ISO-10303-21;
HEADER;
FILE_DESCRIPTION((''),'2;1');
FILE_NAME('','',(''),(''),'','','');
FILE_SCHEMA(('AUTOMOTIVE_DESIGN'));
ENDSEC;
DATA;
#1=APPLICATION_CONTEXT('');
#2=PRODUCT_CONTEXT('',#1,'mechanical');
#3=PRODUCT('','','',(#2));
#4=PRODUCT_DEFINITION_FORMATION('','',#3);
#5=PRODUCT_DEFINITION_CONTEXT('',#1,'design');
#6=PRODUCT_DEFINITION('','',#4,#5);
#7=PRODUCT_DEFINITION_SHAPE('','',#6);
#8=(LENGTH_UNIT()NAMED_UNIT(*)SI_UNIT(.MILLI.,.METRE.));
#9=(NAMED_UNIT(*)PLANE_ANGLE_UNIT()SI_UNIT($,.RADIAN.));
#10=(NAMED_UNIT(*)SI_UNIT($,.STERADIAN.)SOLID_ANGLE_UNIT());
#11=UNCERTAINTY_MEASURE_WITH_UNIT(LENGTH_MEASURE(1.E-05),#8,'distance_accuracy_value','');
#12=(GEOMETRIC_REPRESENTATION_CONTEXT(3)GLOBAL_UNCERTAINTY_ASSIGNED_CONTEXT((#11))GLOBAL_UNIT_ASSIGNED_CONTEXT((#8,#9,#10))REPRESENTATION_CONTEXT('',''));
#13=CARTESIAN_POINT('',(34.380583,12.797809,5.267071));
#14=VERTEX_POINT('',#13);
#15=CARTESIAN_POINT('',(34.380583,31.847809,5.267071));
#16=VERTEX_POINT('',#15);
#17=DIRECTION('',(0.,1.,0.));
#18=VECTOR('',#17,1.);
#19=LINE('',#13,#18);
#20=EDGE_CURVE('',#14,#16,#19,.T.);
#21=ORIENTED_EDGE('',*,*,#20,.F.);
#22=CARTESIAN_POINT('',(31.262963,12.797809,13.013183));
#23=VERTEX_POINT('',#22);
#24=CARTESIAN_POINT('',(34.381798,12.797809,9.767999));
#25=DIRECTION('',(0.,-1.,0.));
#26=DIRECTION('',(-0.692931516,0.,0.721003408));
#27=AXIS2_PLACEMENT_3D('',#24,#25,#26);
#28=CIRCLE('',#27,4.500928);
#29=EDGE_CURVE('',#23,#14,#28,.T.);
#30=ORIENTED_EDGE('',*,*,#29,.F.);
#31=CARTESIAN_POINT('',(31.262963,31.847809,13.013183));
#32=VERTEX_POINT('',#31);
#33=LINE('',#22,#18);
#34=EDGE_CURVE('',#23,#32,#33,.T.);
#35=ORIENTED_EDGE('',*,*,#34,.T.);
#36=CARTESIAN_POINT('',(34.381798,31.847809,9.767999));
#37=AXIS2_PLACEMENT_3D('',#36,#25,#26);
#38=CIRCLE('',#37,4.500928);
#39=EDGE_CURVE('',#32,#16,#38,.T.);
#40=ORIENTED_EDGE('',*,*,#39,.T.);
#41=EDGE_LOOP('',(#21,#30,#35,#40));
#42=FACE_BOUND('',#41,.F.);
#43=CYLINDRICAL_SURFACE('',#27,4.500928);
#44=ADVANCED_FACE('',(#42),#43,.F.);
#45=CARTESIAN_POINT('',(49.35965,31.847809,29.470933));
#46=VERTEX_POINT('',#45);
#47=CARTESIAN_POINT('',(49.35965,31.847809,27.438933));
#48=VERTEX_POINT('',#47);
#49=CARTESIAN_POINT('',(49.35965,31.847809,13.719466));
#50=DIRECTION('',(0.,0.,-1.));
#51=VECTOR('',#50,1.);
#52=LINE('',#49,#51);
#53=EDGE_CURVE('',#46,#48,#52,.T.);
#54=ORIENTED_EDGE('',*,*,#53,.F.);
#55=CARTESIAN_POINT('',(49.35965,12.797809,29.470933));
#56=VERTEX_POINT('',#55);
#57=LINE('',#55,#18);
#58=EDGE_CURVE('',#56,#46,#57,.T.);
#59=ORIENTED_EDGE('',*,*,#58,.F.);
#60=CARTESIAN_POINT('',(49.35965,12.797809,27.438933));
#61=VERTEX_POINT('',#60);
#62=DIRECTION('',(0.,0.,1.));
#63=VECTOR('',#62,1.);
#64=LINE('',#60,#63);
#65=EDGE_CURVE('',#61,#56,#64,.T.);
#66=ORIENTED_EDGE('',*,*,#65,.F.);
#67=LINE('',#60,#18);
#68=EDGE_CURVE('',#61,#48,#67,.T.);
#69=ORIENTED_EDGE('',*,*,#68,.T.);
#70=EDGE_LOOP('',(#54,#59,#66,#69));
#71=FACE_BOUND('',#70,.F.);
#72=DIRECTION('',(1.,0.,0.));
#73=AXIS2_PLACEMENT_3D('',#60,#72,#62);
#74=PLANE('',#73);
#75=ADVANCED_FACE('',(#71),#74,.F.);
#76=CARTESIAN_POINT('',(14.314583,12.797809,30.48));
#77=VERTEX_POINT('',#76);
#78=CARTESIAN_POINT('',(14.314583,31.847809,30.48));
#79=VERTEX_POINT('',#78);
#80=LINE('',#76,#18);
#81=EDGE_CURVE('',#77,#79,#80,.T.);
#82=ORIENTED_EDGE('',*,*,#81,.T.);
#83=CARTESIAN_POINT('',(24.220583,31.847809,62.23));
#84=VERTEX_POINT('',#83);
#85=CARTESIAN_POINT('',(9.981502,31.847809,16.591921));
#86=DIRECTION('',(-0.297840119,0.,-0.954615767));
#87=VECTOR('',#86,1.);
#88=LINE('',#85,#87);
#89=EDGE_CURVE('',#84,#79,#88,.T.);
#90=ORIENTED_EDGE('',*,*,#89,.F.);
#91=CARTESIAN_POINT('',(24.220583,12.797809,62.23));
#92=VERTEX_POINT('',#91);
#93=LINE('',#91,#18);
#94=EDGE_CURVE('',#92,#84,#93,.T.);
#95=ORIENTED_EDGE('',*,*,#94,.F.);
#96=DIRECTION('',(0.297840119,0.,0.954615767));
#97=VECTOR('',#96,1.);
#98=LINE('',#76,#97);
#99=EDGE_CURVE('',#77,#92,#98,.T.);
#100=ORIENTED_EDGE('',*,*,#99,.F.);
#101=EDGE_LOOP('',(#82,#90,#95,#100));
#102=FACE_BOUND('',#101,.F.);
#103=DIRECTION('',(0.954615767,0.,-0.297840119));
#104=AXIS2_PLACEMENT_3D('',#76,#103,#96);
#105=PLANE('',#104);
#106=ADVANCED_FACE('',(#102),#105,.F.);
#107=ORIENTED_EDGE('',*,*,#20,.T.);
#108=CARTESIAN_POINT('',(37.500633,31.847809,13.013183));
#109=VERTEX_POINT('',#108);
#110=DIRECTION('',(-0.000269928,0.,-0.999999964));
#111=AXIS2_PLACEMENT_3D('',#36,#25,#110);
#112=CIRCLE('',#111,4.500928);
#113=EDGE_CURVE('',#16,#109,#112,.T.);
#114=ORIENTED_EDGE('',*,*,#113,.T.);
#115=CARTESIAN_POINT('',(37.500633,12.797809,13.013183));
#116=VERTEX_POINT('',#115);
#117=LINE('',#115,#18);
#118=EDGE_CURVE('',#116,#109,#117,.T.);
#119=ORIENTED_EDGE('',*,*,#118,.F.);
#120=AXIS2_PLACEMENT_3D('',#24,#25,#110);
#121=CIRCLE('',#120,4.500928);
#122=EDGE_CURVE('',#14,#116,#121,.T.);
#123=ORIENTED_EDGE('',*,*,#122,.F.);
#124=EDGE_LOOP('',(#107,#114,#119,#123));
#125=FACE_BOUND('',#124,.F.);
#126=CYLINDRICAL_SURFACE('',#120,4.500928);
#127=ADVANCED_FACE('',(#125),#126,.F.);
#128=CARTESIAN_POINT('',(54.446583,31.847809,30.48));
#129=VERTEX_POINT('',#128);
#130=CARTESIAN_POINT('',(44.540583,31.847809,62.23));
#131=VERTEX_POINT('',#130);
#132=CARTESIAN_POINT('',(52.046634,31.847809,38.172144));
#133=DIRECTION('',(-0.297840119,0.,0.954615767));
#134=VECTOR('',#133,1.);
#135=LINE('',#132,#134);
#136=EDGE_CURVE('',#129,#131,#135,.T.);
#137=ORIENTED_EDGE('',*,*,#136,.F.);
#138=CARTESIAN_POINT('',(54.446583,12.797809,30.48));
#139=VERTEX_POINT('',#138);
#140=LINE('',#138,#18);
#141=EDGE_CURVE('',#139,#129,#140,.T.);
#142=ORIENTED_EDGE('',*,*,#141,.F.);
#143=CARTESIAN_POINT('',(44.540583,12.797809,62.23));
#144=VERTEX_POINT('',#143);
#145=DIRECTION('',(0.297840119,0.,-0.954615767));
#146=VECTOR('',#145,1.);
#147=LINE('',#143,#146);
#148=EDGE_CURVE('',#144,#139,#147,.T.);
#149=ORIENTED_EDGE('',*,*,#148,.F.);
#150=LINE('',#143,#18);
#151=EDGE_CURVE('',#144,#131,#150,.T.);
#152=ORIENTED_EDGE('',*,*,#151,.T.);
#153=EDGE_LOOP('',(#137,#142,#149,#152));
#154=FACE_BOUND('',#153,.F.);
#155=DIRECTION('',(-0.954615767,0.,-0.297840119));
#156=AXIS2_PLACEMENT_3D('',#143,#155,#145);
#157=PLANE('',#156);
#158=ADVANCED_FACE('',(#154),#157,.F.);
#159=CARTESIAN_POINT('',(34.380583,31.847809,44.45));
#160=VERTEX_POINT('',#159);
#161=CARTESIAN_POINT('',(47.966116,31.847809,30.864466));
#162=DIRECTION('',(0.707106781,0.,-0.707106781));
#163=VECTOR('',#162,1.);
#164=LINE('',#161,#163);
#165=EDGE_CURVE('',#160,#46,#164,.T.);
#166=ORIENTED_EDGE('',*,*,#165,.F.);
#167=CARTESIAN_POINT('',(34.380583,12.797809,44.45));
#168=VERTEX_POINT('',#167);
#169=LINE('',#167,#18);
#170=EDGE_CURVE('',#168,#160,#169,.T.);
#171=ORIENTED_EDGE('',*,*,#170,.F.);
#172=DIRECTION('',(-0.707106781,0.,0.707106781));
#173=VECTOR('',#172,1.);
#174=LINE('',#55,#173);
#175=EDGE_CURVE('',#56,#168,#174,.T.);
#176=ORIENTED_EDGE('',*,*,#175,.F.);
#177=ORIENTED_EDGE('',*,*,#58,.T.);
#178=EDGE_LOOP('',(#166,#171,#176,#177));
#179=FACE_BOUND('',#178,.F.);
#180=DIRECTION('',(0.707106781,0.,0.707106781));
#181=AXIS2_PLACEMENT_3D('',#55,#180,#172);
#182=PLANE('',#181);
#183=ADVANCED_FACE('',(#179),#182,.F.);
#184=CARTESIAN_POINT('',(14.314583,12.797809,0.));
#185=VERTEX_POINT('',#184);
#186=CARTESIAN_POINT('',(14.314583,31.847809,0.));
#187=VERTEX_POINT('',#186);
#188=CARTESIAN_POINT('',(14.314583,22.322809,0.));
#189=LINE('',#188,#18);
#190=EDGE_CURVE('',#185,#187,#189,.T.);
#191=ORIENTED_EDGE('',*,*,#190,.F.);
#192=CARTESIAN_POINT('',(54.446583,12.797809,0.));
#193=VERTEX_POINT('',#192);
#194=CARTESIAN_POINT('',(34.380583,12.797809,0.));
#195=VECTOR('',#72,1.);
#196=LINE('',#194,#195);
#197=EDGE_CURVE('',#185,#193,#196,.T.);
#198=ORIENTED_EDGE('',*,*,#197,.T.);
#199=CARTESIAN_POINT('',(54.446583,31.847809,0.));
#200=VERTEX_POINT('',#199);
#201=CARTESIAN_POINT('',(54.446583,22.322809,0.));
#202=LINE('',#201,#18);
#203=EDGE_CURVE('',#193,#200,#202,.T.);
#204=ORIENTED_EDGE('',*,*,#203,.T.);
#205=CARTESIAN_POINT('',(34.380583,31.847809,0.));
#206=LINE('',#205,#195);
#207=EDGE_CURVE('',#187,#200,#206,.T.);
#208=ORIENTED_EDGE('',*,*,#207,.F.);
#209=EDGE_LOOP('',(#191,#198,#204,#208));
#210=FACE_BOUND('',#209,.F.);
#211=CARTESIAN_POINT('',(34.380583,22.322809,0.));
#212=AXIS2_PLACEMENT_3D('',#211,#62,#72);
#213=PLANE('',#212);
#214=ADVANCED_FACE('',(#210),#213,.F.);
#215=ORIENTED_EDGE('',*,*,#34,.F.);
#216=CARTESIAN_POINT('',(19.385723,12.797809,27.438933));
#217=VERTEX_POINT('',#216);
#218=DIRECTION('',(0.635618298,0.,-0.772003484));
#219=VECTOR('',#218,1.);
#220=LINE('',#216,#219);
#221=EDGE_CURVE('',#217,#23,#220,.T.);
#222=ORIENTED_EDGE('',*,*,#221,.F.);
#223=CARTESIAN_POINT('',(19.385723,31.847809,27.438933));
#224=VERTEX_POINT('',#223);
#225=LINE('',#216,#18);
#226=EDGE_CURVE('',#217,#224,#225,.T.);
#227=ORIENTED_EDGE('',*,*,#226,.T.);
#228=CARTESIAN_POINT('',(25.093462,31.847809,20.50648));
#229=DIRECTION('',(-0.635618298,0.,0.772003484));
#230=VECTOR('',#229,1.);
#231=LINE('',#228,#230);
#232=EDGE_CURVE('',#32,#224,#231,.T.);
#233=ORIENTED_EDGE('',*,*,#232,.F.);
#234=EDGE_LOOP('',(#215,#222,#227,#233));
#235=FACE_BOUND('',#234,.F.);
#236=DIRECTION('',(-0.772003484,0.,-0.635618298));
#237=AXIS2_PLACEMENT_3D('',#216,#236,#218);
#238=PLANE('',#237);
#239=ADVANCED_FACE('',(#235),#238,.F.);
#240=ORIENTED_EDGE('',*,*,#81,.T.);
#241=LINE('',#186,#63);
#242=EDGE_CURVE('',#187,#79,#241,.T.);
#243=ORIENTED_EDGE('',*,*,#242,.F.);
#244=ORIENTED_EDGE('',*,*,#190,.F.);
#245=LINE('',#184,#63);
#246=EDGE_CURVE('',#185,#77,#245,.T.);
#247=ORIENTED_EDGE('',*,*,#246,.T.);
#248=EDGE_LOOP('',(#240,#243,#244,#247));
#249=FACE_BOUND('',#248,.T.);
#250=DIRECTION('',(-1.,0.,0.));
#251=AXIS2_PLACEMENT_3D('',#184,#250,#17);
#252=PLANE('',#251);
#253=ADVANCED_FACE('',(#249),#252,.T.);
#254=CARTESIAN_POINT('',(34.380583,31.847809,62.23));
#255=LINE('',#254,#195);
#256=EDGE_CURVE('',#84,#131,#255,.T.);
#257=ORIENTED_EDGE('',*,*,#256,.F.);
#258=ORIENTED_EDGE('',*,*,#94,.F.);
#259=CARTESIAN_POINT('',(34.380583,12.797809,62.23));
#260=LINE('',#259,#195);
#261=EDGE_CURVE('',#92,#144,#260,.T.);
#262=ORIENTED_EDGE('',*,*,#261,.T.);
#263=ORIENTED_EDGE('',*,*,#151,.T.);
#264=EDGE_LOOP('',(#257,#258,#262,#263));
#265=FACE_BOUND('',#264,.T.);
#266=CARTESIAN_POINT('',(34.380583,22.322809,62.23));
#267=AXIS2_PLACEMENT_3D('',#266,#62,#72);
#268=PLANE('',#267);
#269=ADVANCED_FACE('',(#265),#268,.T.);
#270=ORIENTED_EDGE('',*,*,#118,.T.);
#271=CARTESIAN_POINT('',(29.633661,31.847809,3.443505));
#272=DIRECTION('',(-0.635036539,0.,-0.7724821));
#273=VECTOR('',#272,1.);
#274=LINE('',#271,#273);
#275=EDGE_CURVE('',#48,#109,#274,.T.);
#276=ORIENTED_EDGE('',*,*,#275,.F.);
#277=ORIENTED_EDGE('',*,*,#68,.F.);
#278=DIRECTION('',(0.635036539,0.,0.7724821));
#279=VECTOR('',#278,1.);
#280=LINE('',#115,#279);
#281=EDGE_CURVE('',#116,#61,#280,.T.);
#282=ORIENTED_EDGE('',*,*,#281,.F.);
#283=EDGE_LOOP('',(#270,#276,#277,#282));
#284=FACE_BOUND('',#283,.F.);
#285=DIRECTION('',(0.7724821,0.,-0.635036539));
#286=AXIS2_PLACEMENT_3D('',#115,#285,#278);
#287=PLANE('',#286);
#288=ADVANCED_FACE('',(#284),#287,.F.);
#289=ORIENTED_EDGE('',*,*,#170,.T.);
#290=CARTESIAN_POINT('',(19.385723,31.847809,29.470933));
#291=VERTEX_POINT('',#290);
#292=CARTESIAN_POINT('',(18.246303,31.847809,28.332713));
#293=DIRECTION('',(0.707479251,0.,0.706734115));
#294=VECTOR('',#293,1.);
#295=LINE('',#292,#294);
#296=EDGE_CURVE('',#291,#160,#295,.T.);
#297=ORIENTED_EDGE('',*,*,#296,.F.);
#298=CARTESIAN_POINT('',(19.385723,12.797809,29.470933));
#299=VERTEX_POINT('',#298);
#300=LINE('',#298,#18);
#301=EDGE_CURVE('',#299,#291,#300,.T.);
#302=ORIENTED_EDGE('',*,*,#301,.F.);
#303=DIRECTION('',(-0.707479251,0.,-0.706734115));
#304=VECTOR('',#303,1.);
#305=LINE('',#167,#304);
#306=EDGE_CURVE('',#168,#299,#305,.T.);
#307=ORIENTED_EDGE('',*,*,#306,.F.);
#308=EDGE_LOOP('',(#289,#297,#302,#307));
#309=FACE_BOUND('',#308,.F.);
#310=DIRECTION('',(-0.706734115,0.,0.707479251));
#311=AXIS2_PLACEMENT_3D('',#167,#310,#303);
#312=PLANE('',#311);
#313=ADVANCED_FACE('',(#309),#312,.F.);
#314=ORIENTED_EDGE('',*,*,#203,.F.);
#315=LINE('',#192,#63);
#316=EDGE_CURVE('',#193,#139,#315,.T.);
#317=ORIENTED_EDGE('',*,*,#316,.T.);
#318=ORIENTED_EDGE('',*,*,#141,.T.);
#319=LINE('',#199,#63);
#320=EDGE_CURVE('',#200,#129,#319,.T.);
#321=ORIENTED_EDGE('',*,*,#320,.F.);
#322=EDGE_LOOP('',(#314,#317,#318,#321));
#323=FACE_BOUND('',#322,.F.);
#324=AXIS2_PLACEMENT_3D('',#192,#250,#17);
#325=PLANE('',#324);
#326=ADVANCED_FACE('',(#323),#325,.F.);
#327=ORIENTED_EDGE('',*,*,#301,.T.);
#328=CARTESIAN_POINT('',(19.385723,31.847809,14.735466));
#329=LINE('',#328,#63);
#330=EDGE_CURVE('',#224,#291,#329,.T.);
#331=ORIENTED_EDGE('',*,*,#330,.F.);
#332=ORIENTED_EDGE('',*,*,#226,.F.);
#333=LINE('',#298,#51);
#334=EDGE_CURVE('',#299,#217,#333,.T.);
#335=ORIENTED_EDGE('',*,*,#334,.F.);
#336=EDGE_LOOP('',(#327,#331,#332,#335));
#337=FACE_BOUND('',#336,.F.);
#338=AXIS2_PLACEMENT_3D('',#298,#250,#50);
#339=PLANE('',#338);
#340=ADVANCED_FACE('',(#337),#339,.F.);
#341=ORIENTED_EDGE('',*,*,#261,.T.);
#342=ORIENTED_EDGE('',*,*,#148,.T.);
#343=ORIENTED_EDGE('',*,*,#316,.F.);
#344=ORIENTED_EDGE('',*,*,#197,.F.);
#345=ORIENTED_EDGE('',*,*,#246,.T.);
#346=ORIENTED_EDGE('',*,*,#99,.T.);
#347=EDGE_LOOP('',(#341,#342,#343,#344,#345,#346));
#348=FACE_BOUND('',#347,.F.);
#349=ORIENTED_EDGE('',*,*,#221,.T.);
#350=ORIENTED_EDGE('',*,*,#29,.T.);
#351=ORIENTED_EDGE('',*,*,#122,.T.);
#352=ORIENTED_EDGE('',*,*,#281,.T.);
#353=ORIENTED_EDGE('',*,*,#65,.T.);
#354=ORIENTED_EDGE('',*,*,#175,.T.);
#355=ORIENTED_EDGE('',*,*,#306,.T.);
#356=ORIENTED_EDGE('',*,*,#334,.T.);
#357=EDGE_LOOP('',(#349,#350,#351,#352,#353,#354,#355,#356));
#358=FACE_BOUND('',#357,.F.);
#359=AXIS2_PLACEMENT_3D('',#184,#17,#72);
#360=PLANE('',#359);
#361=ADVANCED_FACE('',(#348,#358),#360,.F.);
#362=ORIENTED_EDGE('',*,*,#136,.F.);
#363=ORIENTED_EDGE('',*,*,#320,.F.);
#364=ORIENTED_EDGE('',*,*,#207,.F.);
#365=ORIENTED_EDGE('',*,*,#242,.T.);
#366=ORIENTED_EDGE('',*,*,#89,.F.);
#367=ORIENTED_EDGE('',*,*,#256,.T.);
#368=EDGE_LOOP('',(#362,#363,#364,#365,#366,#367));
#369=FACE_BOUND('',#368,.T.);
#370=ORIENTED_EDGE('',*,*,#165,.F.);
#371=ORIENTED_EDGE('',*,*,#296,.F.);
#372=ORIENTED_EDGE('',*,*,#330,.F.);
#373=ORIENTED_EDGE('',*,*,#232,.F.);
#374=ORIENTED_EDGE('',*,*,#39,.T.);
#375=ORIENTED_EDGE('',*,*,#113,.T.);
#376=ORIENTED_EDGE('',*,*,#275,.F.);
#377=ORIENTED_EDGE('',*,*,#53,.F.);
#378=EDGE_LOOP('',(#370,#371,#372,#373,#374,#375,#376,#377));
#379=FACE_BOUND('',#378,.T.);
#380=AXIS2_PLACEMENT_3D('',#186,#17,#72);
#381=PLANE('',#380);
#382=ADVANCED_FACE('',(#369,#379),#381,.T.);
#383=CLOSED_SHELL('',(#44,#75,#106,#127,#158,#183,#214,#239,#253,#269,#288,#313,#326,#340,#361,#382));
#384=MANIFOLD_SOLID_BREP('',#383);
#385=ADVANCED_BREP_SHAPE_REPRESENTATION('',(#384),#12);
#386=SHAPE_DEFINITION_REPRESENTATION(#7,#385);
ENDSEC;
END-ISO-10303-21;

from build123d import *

# Parameters (mm, degrees)
F0_W     = 40.132
F0_H     = 19.05
F1_DEPTH = 62.23
F3_DEPTH = 25.4
F5_DEPTH = 25.4


with BuildPart() as f1:
    # F0 (on Top) → F1 (new body)
    with BuildSketch(Plane.XY):
        with Locations((34.380583, 22.322809)):
            Rectangle(F0_W, F0_H)
    extrude(amount=F1_DEPTH)

    # F2 (on face) → F3 (cut)
    with BuildSketch(Plane.XZ.offset(-12.797809)):
        Polygon((49.35965, 29.470933), (34.380583, 44.45), (34.380583, 29.470933), align=None)
        Polygon((34.380583, 29.470933), (34.380583, 44.45), (19.385723, 29.470933), align=None)
        with BuildLine():
            Line((49.35965, 29.470933), (34.380583, 29.470933))
            Line((34.380583, 29.470933), (34.380583, 5.267071))
            ThreePointArc((34.380583, 5.267071), (38.556777, 8.086362), (37.500633, 13.013183))
            Line((37.500633, 13.013183), (49.35965, 27.438933))
            Line((49.35965, 27.438933), (49.35965, 29.470933))
        make_face()
        with BuildLine():
            Line((34.380583, 5.267071), (34.380583, 29.470933))
            Line((34.380583, 29.470933), (19.385723, 29.470933))
            Line((19.385723, 29.470933), (19.385723, 27.438933))
            Line((19.385723, 27.438933), (31.262963, 13.013183))
            ThreePointArc((31.262963, 13.013183), (30.206365, 8.087489), (34.380583, 5.267071))
        make_face()
    extrude(amount=-F3_DEPTH, mode=Mode.SUBTRACT)

    # F4 (on face) → F5 (cut)
    with BuildSketch(Plane.XZ.offset(-12.797809)):
        Polygon((14.314583, 62.23), (14.314583, 30.48), (24.220583, 62.23), align=None)
        Polygon((54.446583, 62.23), (44.540583, 62.23), (54.446583, 30.48), align=None)
    extrude(amount=-F5_DEPTH, mode=Mode.SUBTRACT)


solid = f1.part
